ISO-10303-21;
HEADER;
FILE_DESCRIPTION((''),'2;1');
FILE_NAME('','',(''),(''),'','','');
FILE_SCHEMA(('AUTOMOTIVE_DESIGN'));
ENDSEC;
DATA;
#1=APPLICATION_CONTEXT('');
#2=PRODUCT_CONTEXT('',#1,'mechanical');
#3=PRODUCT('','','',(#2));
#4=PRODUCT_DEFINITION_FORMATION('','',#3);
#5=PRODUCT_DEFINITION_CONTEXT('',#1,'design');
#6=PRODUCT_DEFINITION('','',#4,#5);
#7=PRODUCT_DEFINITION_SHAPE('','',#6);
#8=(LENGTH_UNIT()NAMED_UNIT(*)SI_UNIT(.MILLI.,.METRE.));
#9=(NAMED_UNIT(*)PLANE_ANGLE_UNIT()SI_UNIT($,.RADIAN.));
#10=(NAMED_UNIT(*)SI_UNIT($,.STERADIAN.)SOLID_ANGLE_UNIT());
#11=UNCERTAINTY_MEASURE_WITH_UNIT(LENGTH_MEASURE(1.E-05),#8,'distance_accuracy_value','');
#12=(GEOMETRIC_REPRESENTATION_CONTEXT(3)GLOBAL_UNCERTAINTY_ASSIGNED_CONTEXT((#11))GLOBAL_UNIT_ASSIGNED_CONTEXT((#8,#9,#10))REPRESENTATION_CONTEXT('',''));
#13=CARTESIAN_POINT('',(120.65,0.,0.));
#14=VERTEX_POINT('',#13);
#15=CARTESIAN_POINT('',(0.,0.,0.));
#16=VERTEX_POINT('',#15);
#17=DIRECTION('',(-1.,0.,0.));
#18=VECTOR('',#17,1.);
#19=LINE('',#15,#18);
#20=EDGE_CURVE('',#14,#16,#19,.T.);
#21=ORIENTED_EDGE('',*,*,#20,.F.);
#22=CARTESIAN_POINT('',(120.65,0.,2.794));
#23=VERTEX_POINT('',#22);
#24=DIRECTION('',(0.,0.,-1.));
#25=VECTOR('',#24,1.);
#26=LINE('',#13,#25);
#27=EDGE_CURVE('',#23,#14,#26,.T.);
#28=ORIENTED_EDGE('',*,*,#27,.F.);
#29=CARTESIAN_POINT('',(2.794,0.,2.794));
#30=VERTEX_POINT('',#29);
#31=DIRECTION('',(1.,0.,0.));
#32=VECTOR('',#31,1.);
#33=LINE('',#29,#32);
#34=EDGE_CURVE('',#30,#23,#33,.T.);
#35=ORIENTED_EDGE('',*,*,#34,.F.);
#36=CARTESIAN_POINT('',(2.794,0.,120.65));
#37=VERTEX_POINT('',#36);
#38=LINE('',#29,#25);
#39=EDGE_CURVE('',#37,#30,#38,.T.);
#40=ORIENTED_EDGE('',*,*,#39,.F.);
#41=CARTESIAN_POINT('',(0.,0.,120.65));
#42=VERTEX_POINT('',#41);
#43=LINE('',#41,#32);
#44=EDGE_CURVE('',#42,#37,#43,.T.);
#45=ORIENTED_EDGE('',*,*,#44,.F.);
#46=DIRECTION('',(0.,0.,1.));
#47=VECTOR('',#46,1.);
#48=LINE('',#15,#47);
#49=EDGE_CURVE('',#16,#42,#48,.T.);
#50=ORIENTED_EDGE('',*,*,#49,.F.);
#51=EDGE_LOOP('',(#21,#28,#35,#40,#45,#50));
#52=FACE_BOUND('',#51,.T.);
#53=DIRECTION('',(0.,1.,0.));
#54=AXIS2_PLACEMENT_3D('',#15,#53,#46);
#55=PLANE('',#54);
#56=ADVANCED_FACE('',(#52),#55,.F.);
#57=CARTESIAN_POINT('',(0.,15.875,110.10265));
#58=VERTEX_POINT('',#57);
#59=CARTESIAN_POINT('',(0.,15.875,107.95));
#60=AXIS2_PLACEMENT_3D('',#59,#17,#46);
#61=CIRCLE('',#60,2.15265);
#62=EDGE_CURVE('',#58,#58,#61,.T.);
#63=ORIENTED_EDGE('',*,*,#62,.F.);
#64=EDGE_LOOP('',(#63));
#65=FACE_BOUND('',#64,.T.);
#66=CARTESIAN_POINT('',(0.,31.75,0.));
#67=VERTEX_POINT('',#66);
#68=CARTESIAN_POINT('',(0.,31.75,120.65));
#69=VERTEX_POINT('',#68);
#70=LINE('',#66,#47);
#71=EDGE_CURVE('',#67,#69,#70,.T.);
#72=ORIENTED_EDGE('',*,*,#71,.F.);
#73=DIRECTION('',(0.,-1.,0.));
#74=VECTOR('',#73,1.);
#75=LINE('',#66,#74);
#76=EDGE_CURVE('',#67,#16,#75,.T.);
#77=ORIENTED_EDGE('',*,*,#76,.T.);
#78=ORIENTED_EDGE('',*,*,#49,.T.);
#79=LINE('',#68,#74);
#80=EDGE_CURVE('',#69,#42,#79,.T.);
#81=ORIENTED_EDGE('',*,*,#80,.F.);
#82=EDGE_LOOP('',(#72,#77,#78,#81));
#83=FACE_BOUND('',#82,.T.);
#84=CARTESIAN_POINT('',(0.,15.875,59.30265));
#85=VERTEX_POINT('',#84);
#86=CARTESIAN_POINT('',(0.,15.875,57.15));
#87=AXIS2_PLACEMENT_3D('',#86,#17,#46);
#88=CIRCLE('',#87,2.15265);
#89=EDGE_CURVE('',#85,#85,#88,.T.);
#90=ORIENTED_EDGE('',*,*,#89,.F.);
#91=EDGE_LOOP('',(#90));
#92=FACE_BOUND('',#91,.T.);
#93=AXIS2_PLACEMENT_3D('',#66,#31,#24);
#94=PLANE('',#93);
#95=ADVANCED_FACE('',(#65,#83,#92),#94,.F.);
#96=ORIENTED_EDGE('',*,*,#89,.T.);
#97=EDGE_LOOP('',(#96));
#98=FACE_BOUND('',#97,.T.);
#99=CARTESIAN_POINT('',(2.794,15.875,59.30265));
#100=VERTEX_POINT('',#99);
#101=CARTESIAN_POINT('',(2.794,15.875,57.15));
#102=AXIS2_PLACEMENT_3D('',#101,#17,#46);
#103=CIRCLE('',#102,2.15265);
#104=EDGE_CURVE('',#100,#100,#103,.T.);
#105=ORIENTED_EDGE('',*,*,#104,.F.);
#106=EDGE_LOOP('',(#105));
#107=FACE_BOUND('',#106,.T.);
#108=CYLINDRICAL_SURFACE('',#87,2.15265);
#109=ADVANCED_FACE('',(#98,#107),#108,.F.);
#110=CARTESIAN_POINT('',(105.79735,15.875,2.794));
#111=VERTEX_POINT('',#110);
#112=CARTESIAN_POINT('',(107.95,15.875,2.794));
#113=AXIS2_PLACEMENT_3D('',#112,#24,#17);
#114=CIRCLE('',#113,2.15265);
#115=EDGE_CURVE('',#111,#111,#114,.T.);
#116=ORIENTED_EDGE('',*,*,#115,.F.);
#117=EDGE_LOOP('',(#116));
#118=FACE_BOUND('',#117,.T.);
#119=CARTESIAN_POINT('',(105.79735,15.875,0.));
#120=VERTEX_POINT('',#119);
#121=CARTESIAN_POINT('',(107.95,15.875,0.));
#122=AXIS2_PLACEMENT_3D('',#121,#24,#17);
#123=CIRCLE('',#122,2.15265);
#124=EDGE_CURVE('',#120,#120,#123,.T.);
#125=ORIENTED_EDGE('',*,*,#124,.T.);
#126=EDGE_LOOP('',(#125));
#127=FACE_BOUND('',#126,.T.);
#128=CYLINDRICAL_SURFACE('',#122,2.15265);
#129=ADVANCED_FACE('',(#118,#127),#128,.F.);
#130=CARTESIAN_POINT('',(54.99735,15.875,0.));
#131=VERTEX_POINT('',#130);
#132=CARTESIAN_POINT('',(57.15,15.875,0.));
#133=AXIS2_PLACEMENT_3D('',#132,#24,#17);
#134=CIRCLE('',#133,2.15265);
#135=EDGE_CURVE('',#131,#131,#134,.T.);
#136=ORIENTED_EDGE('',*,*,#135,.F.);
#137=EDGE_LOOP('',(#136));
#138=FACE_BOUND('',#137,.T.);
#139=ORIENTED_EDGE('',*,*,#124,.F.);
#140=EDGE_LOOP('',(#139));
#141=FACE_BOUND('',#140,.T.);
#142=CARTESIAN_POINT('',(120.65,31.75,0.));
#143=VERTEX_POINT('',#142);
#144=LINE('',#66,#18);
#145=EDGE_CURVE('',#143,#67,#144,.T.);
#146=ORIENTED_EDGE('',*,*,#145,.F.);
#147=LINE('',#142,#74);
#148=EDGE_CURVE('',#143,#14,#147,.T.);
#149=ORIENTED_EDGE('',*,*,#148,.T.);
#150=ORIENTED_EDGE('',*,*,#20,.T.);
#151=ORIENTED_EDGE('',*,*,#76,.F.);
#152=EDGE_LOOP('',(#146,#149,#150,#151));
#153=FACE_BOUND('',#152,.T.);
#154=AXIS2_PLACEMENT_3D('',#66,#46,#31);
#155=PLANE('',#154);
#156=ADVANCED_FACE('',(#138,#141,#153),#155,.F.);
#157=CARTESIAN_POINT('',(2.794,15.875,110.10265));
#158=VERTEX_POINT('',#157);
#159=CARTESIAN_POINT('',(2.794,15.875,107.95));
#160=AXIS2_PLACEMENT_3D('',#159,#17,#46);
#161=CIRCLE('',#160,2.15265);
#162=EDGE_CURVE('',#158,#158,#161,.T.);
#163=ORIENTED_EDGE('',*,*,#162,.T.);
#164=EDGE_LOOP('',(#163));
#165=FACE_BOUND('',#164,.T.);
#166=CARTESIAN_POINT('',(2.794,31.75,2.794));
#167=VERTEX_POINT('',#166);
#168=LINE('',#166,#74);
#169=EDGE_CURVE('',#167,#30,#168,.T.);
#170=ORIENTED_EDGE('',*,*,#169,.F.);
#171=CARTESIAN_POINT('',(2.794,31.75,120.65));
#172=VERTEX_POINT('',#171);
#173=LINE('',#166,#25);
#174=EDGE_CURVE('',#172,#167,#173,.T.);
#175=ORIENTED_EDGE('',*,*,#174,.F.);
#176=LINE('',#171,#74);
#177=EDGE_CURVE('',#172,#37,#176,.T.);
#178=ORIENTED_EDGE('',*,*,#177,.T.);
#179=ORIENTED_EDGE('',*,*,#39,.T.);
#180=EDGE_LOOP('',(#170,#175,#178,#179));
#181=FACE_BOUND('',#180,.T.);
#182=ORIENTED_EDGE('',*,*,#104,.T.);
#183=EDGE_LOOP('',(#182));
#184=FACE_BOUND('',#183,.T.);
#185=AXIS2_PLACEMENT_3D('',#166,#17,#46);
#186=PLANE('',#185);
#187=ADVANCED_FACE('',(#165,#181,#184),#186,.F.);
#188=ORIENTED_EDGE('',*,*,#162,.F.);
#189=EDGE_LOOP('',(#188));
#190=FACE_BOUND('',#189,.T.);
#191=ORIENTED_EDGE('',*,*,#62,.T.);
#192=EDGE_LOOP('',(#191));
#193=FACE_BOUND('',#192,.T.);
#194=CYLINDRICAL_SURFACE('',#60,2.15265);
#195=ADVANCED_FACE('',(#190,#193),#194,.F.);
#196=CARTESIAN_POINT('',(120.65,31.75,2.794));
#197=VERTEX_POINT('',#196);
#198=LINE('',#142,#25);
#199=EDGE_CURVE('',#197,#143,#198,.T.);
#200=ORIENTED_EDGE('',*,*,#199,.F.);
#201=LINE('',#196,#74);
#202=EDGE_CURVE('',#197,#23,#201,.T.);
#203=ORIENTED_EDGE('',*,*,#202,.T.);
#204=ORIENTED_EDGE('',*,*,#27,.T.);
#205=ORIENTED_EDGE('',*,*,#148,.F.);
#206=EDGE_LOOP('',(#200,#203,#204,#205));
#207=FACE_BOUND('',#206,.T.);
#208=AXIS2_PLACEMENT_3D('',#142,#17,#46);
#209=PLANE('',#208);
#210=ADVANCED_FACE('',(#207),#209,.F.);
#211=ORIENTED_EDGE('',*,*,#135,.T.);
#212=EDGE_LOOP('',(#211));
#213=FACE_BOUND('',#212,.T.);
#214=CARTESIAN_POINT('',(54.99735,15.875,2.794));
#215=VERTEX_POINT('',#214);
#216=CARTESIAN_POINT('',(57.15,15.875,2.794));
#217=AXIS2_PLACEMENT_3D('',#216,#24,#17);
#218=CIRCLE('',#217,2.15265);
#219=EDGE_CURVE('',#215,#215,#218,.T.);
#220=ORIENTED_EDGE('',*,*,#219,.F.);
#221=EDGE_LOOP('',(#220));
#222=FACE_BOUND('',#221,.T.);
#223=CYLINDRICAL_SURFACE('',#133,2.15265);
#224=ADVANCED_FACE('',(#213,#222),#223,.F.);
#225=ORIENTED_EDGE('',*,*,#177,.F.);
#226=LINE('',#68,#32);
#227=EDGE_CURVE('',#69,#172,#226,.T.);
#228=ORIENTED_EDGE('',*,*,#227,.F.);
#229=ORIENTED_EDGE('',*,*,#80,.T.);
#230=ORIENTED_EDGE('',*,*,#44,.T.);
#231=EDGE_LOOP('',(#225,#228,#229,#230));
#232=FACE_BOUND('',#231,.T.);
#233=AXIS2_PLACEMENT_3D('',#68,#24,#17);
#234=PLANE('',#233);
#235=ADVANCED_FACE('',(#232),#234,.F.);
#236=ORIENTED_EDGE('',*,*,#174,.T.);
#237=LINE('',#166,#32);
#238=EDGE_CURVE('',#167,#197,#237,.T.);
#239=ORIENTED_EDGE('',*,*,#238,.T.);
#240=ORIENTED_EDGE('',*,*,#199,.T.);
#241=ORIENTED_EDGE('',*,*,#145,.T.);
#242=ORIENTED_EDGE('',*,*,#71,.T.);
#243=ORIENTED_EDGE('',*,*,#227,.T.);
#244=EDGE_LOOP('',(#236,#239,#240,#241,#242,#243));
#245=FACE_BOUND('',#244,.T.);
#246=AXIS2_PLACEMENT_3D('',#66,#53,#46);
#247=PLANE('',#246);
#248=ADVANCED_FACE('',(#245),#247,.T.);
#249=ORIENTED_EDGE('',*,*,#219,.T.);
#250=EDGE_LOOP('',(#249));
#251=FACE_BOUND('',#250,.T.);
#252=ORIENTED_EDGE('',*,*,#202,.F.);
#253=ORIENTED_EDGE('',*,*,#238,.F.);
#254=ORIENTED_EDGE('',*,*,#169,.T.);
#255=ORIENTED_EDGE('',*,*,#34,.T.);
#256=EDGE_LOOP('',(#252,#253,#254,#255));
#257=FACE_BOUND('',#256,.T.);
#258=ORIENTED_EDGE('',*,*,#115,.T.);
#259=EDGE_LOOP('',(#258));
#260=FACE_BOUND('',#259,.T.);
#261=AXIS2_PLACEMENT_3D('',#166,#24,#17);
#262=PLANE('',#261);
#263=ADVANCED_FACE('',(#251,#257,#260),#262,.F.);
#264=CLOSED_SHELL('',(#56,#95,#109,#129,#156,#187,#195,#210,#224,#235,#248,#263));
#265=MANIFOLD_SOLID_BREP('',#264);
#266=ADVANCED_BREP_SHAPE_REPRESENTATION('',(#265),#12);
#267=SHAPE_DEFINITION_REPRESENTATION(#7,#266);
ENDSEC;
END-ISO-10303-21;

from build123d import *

# Parameters (mm, degrees)
BOSS_EXTRUDE1_DEPTH       = 31.75
F_8_CLEARANCE_HOLE1_D     = 4.3053
F_8_CLEARANCE_HOLE1_DEPTH = 6.35
F_8_CLEARANCE_HOLE1_TIP   = 1.293442612
F_8_CLEARANCE_HOLE2_D     = 4.3053
F_8_CLEARANCE_HOLE2_DEPTH = 6.35
F_8_CLEARANCE_HOLE2_TIP   = 1.293442612


with BuildPart() as part:
    # Sketch1 → Boss-Extrude1 (new body)
    with BuildSketch(Plane(origin=(0, 0, 0), x_dir=(1, 0, 0), z_dir=(0, 1, 0))):
        Polygon((0, 0), (120.65, 0), (120.65, -2.794), (2.794, -2.794), (2.794, -120.65), (0, -120.65), align=None)
    extrude(amount=BOSS_EXTRUDE1_DEPTH)

    # #8 Clearance Hole1
    with Locations(Plane(origin=(0, 0, 0), x_dir=(-1, 0, 0), z_dir=(0, 0, -1))):
        with Locations((-107.95, 15.875), (-57.15, 15.875)):
            Hole(F_8_CLEARANCE_HOLE1_D / 2, depth=F_8_CLEARANCE_HOLE1_DEPTH)
            with Locations((0, 0, -(F_8_CLEARANCE_HOLE1_DEPTH + F_8_CLEARANCE_HOLE1_TIP / 2))):  # 118° drill point
                Cone(0, F_8_CLEARANCE_HOLE1_D / 2, F_8_CLEARANCE_HOLE1_TIP, mode=Mode.SUBTRACT)

    # #8 Clearance Hole2
    with Locations(Plane.ZY):
        with Locations((107.95, 15.875), (57.15, 15.875)):
            Hole(F_8_CLEARANCE_HOLE2_D / 2, depth=F_8_CLEARANCE_HOLE2_DEPTH)
            with Locations((0, 0, -(F_8_CLEARANCE_HOLE2_DEPTH + F_8_CLEARANCE_HOLE2_TIP / 2))):  # 118° drill point
                Cone(0, F_8_CLEARANCE_HOLE2_D / 2, F_8_CLEARANCE_HOLE2_TIP, mode=Mode.SUBTRACT)


solid = part.part
